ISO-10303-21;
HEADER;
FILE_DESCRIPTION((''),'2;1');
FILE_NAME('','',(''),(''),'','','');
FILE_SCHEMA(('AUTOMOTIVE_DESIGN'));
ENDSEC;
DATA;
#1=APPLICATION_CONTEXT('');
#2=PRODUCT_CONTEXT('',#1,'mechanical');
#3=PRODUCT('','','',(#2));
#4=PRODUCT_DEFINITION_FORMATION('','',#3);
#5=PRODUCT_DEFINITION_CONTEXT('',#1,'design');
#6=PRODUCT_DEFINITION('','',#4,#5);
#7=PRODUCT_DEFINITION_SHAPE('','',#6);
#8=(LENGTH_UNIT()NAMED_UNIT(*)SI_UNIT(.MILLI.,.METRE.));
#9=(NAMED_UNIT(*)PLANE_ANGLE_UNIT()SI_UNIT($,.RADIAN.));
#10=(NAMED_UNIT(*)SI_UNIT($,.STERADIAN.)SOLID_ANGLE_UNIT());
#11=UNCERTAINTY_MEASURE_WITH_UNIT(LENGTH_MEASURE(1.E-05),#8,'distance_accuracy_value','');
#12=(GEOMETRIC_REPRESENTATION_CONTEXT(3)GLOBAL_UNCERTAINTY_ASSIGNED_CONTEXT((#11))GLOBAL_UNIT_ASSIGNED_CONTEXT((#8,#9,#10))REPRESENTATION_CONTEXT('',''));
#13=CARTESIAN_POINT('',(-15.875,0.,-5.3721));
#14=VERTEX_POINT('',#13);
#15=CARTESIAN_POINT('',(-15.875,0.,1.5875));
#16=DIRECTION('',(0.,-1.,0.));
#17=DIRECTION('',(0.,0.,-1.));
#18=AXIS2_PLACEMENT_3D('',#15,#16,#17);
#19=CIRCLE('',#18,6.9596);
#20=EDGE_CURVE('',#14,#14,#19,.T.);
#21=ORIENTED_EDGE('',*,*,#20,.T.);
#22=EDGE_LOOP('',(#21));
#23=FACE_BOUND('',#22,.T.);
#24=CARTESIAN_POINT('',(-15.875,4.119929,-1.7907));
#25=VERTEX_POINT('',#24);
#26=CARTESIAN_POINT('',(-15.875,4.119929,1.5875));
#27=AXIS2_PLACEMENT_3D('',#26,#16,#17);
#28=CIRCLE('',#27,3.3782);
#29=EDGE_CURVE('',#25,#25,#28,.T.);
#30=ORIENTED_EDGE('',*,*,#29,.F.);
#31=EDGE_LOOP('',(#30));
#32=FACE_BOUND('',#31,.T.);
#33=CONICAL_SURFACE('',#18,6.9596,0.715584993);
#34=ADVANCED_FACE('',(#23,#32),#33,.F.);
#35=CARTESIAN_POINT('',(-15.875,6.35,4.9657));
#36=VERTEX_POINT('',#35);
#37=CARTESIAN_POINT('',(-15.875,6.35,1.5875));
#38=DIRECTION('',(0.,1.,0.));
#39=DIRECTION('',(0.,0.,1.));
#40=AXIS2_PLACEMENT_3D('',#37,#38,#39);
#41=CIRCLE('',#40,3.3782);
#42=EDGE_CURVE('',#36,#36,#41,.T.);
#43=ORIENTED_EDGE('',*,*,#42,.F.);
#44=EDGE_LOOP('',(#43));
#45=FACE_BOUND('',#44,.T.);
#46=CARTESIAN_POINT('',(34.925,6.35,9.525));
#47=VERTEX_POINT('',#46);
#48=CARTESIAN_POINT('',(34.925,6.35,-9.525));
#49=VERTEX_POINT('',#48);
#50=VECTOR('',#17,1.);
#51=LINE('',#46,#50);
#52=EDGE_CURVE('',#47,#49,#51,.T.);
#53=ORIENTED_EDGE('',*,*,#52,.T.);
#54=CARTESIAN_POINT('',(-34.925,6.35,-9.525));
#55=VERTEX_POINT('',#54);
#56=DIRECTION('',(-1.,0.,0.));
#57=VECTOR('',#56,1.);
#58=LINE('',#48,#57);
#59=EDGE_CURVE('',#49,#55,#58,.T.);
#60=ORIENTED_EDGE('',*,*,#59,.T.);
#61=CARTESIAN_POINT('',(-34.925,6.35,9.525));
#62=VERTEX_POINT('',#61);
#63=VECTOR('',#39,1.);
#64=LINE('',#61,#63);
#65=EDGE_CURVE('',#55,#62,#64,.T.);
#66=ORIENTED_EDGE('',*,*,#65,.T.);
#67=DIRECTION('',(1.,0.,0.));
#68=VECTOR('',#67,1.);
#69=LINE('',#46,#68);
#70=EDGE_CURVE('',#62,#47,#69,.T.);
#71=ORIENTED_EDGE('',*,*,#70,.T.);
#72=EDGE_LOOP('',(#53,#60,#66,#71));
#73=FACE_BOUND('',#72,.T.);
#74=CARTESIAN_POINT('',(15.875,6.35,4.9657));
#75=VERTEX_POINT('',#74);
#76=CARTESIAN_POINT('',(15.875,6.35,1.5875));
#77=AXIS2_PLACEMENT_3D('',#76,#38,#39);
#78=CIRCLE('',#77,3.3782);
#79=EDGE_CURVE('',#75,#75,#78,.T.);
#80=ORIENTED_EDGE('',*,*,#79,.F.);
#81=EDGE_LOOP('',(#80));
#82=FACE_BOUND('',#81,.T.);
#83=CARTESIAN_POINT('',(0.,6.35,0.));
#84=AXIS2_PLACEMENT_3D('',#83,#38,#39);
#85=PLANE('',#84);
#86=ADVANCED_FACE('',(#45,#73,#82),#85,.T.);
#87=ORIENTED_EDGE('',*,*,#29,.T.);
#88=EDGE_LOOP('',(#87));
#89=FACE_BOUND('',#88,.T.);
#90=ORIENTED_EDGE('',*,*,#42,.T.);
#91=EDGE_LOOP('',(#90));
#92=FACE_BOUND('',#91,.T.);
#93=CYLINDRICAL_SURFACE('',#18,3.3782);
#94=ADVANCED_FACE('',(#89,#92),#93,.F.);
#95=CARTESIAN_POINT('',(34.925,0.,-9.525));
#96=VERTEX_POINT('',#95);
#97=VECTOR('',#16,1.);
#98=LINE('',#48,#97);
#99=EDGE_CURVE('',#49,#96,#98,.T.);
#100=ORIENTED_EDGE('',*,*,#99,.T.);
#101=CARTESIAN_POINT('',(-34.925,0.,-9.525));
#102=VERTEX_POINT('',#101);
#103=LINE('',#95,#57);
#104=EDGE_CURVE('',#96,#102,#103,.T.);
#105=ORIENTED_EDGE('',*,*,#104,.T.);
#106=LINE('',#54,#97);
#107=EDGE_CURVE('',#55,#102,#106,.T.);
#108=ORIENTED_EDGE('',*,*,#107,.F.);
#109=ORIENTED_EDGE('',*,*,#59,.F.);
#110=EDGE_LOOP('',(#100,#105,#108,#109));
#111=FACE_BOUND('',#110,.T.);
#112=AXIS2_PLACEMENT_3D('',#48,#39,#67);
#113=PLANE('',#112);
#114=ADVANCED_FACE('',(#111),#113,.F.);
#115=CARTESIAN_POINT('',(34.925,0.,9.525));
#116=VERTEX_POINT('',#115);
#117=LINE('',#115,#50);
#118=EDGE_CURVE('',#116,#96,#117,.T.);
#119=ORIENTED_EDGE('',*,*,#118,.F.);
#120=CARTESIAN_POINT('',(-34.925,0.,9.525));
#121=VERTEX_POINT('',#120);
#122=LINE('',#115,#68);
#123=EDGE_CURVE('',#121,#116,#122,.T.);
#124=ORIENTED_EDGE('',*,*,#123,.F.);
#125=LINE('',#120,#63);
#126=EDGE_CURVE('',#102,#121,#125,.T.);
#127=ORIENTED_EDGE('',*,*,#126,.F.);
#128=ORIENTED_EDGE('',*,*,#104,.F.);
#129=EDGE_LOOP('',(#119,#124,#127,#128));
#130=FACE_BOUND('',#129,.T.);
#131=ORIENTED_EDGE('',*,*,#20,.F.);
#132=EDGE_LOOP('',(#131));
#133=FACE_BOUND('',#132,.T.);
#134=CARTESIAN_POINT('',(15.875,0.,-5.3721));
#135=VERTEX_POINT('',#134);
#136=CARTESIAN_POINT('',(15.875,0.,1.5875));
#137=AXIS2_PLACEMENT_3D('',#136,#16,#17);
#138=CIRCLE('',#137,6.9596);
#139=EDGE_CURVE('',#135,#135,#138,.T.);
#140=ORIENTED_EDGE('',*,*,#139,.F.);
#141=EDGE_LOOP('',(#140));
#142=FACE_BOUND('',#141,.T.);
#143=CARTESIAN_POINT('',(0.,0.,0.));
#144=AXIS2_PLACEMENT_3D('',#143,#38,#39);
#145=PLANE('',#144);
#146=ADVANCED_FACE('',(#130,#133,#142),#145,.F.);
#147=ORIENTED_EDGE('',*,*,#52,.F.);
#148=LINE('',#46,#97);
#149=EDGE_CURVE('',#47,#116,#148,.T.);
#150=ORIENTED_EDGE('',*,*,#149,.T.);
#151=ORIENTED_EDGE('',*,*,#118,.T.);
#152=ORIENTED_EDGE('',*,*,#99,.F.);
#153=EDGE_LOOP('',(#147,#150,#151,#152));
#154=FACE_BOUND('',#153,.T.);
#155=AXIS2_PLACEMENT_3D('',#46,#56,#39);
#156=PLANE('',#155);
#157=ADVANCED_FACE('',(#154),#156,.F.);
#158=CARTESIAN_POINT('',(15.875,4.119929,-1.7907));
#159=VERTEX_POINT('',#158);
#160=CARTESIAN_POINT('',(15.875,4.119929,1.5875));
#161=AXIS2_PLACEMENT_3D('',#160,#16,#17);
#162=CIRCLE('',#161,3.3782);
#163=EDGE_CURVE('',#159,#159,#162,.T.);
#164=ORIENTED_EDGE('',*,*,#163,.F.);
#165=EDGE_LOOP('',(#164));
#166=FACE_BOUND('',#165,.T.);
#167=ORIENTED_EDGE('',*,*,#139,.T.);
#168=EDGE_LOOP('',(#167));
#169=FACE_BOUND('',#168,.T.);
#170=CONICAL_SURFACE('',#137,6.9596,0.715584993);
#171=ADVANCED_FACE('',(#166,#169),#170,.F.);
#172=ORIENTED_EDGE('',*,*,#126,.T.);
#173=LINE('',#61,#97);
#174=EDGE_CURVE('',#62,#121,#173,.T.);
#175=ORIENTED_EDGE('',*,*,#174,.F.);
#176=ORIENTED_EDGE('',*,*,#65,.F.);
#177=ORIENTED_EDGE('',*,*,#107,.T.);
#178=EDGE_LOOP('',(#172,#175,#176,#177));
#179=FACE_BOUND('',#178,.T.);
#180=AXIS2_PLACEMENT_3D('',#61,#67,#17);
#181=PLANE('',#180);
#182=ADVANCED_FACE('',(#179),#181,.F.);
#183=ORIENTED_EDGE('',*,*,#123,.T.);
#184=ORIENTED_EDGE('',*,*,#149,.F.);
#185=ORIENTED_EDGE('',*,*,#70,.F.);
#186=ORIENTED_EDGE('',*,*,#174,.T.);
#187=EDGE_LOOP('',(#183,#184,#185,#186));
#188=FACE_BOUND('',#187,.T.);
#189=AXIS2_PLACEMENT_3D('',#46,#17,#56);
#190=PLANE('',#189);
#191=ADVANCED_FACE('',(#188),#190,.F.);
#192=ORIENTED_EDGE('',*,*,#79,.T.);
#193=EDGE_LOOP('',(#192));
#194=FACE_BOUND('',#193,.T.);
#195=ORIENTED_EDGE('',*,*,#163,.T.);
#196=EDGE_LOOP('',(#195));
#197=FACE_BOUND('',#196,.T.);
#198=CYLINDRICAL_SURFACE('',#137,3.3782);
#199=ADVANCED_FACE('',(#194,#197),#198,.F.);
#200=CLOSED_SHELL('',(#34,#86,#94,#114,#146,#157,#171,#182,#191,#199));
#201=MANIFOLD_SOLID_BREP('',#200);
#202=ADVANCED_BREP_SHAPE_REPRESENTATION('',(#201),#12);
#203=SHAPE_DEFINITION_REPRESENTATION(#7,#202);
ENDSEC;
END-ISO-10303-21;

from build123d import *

# Parameters (mm, degrees)
SKETCH1_W                                        = 69.85
SKETCH1_H                                        = 19.05
BOSS_EXTRUDE1_DEPTH                              = 6.35
CSK_FOR_1_4_FLAT_HEAD_MACHINE_SCREW1_D           = 6.7564
CSK_FOR_1_4_FLAT_HEAD_MACHINE_SCREW1_DEPTH       = 15.24
CSK_FOR_1_4_FLAT_HEAD_MACHINE_SCREW1_CSINK_D     = 13.9192
CSK_FOR_1_4_FLAT_HEAD_MACHINE_SCREW1_CSINK_ANGLE = 82
CSK_FOR_1_4_FLAT_HEAD_MACHINE_SCREW1_TIP         = 2.029827343


with BuildPart() as part:
    # Sketch1 → Boss-Extrude1 (new body)
    with BuildSketch(Plane(origin=(0, 0, 0), x_dir=(1, 0, 0), z_dir=(0, 1, 0))):
        Rectangle(SKETCH1_W, SKETCH1_H)
    extrude(amount=BOSS_EXTRUDE1_DEPTH)

    # CSK for 1/4 Flat Head Machine Screw1
    with Locations(Plane(origin=(0, 0, 0), x_dir=(-1, 0, 0), z_dir=(0, -1, 0))):
        with Locations((15.875, -1.5875), (-15.875, -1.5875)):
            CounterSinkHole(CSK_FOR_1_4_FLAT_HEAD_MACHINE_SCREW1_D / 2, CSK_FOR_1_4_FLAT_HEAD_MACHINE_SCREW1_CSINK_D / 2, depth=CSK_FOR_1_4_FLAT_HEAD_MACHINE_SCREW1_DEPTH, counter_sink_angle=CSK_FOR_1_4_FLAT_HEAD_MACHINE_SCREW1_CSINK_ANGLE)
            with Locations((0, 0, -(CSK_FOR_1_4_FLAT_HEAD_MACHINE_SCREW1_DEPTH + CSK_FOR_1_4_FLAT_HEAD_MACHINE_SCREW1_TIP / 2))):  # 118° drill point
                Cone(0, CSK_FOR_1_4_FLAT_HEAD_MACHINE_SCREW1_D / 2, CSK_FOR_1_4_FLAT_HEAD_MACHINE_SCREW1_TIP, mode=Mode.SUBTRACT)


solid = part.part
